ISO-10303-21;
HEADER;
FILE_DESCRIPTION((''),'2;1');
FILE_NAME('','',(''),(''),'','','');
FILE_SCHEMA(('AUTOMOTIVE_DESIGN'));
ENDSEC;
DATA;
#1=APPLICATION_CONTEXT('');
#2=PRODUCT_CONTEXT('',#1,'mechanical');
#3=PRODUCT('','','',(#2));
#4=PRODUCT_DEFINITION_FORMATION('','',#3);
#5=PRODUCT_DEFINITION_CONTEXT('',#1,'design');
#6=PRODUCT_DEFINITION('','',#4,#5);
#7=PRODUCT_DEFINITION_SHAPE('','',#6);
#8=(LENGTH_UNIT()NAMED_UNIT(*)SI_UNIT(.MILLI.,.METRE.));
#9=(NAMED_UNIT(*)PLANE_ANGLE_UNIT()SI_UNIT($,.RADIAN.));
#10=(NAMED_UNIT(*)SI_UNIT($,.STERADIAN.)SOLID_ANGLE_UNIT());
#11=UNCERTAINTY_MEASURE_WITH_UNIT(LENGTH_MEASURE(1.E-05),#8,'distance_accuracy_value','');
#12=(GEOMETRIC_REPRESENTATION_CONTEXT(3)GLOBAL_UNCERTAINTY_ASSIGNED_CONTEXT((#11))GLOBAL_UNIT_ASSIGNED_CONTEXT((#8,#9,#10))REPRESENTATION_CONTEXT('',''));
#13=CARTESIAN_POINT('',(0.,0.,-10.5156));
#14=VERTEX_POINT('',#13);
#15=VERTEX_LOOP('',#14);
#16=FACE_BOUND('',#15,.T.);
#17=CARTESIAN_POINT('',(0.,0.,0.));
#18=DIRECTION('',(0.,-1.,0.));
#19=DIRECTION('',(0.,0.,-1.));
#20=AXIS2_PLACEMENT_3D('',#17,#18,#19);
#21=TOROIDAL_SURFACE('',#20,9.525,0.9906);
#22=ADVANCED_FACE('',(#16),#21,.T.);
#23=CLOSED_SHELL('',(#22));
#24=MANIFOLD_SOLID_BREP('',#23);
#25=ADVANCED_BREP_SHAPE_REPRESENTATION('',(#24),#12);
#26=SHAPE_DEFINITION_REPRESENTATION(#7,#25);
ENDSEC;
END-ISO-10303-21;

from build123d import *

# Parameters (mm, degrees)
SKETCH1_R = 0.9906


with BuildPart() as part:
    # Sketch1 → Revolve1 (revolve)
    with BuildSketch(Plane.XY, mode=Mode.PRIVATE) as revolve1_sk:
        with Locations((9.525, 0)):
            Circle(SKETCH1_R)
    revolve(revolve1_sk.sketch.rotate(Axis((0, 0, 0), (0, 1, 0)), 90), axis=Axis((0, 0, 0), (0, 1, 0)))


solid = part.part
